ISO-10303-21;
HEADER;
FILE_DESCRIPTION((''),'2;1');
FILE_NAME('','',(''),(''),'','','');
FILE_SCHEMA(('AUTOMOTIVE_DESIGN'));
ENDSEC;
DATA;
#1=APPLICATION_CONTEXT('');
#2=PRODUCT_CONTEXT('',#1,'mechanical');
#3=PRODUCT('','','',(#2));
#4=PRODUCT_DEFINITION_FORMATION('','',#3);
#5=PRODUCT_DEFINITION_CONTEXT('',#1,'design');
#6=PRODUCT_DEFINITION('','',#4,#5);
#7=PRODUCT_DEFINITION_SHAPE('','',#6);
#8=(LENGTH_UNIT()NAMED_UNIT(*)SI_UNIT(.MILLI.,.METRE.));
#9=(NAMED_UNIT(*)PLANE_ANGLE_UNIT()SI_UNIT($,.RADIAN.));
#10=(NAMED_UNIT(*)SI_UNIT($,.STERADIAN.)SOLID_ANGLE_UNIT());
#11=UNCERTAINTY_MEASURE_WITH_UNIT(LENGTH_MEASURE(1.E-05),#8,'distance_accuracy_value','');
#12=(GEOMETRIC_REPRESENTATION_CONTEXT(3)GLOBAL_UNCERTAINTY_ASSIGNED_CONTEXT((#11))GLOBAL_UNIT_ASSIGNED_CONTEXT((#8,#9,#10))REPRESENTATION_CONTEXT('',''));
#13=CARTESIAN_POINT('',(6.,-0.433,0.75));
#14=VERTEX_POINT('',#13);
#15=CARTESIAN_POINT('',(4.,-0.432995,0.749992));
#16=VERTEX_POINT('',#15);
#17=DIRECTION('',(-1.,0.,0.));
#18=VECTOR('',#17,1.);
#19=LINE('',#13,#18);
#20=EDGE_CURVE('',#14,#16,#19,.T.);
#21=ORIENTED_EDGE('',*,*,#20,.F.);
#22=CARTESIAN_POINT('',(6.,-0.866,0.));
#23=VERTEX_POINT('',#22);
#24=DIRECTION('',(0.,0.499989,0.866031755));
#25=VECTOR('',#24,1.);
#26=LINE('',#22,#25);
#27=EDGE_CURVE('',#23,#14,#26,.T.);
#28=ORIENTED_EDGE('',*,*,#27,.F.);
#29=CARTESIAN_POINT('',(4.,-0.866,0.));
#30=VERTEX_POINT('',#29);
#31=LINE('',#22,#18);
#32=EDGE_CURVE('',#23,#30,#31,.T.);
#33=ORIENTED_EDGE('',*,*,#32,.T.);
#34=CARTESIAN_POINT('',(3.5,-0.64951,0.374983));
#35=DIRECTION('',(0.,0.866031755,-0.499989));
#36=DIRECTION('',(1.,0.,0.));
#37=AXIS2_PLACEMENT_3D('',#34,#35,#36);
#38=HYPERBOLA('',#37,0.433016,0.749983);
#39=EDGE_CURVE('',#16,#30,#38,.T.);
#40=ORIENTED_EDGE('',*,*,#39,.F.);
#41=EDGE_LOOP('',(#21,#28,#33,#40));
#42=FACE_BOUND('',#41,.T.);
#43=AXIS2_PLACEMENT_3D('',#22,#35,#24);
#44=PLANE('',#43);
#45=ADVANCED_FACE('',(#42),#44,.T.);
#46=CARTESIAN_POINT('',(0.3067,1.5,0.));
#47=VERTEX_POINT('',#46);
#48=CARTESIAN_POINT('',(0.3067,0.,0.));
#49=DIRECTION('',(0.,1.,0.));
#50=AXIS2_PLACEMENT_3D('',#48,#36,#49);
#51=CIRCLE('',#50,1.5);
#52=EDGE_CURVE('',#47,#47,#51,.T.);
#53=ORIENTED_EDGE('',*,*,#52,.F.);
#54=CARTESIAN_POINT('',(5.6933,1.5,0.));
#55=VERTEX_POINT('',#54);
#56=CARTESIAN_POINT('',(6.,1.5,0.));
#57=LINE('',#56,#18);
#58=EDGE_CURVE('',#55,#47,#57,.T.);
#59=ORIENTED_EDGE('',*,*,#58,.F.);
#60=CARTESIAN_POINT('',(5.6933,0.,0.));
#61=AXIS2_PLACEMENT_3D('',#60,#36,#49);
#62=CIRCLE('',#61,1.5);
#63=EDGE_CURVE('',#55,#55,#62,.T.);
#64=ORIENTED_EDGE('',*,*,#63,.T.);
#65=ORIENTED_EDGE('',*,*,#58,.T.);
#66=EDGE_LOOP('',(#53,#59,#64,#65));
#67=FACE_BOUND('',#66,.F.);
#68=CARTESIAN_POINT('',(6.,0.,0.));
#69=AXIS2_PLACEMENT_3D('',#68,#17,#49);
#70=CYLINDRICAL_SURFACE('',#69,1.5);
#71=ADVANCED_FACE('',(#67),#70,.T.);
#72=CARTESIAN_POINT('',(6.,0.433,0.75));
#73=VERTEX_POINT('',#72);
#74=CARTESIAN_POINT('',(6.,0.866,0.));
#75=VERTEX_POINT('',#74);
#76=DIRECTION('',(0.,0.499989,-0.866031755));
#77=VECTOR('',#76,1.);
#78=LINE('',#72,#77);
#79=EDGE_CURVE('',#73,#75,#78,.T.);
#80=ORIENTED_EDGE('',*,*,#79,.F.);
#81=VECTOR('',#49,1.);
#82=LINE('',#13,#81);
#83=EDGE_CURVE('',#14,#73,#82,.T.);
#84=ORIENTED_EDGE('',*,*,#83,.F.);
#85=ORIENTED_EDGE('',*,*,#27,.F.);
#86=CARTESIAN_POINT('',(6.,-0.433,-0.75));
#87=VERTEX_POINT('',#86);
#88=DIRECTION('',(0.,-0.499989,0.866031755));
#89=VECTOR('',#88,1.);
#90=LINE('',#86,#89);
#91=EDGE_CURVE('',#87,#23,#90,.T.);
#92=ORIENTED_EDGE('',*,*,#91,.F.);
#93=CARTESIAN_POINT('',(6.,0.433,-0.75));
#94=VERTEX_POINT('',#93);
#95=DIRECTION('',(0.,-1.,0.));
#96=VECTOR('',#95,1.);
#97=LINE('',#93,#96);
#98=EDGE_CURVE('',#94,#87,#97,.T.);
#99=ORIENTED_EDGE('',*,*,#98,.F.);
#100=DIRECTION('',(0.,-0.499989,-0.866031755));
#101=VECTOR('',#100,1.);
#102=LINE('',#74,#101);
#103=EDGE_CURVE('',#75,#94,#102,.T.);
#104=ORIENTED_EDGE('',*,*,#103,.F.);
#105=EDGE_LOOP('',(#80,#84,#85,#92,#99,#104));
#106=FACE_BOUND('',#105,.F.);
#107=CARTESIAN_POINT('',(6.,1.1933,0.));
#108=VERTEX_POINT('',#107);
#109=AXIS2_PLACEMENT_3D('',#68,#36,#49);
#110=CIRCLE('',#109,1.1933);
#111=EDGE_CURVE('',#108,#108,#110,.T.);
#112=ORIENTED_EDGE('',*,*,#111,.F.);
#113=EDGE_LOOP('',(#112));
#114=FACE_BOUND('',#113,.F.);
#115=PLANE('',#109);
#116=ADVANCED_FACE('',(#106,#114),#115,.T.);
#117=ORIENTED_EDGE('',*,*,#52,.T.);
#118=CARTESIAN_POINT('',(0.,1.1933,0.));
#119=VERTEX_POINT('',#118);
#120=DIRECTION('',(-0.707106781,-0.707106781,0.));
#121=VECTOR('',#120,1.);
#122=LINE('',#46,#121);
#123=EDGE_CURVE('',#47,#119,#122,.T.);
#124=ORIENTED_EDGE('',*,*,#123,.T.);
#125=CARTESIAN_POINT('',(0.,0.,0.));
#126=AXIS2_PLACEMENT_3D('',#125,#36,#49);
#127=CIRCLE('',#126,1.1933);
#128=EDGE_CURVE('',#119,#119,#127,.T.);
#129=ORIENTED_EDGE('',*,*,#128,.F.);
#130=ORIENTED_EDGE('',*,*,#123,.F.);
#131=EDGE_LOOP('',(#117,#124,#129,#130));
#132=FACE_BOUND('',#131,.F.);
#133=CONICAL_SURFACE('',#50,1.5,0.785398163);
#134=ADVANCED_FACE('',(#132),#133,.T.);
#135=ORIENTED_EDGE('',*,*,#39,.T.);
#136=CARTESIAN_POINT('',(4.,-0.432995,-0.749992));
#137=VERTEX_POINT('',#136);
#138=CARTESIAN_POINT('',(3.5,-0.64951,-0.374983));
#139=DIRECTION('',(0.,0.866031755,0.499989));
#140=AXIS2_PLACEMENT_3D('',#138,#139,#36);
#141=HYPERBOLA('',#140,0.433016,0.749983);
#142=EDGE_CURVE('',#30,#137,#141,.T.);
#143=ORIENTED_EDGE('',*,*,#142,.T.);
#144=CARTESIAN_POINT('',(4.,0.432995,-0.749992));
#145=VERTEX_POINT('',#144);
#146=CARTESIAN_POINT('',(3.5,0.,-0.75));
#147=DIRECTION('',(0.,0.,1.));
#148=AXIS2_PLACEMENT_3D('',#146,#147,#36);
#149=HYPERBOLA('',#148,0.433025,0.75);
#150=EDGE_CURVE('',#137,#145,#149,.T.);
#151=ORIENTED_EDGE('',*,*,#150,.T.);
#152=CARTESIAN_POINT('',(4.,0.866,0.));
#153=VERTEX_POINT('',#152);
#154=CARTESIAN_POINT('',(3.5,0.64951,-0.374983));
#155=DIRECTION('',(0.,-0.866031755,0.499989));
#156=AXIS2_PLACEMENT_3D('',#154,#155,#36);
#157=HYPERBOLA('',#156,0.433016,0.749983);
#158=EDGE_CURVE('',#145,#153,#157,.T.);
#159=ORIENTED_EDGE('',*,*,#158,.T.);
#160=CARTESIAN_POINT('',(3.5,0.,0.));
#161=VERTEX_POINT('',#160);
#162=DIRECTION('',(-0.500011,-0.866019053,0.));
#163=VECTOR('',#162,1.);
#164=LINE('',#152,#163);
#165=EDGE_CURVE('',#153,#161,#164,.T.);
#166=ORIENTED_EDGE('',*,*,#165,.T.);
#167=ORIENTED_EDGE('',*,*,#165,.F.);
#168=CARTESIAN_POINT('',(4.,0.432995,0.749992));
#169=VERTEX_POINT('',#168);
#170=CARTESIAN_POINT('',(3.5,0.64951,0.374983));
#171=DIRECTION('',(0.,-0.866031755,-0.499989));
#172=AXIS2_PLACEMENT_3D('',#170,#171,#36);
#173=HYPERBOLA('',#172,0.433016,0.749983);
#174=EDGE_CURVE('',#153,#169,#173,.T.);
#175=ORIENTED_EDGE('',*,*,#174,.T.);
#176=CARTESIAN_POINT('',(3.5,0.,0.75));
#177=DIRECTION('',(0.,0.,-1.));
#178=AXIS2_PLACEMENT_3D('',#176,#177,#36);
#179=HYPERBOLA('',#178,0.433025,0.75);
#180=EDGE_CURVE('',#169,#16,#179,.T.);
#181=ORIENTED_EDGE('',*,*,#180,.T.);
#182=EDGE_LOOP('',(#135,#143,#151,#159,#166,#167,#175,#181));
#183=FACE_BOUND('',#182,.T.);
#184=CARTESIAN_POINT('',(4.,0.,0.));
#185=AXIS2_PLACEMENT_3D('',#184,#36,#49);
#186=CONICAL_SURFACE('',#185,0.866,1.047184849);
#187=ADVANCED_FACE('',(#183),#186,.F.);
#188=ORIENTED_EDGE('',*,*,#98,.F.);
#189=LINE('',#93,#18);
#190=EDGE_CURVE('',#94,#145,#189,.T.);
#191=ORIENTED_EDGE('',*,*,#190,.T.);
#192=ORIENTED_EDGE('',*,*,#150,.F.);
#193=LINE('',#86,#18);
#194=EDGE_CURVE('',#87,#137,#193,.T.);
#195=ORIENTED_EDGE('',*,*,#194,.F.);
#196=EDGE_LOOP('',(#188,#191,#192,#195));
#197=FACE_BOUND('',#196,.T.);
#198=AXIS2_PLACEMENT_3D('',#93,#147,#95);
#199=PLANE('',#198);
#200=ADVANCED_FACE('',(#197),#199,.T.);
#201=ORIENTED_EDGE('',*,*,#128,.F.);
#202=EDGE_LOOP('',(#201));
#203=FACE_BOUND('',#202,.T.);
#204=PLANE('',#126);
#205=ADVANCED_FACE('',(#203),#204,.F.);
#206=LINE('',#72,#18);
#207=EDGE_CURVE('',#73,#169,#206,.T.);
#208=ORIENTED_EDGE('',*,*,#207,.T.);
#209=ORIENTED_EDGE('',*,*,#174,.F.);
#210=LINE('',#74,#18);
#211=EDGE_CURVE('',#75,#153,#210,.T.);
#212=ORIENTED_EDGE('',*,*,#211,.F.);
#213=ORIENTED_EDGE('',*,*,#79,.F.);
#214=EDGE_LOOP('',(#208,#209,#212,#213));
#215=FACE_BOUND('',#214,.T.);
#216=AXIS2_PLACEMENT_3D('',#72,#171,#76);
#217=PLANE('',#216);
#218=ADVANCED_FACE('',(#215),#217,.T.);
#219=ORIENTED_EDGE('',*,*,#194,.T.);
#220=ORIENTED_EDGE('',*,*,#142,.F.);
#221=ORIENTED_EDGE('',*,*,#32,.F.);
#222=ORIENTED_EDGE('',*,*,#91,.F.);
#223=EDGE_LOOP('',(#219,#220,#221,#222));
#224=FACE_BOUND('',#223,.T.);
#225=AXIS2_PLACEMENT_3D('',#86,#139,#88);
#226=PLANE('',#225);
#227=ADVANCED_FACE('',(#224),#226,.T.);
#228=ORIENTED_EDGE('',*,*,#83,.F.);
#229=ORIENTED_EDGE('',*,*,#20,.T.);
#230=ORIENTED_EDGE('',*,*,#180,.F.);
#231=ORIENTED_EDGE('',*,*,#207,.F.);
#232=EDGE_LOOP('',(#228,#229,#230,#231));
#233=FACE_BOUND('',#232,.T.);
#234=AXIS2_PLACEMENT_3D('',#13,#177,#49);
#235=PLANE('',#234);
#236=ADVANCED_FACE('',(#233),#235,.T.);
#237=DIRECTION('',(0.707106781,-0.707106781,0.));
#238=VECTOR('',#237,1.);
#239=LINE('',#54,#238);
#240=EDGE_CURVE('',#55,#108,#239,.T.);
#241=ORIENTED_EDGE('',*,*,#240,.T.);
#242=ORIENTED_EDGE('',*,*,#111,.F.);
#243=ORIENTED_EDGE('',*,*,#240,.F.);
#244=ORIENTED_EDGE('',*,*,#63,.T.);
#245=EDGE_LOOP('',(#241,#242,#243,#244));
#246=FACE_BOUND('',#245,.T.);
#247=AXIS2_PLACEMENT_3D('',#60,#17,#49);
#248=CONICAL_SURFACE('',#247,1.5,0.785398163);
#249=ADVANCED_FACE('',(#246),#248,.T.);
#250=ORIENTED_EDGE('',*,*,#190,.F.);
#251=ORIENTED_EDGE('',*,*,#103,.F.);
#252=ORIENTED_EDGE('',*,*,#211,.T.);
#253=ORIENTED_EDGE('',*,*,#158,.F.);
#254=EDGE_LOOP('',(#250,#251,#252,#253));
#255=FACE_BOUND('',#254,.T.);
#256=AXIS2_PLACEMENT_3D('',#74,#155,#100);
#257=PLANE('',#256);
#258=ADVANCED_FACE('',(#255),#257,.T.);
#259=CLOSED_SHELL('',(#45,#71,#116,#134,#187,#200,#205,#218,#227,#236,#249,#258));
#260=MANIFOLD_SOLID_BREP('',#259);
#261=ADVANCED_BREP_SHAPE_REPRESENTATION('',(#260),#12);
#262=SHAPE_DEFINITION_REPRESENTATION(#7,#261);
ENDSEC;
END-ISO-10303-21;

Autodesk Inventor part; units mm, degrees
ref_plane "YZ Plane" through (0, 0, 0) normal (1, 0, 0) x (0, 1, 0)
ref_plane "XZ Plane" through (0, 0, 0) normal (0, 1, 0) x (-1, 0, 0)
sketch "Skizze1" plane through (0, 0, 0) normal (0, 0, 1) x (1, 0, 0)
  line L0 (0, 0) -> (3.5, 0)
  line L1 (6, 0.866) -> (6, 1.5)
  line L2 (6, 1.5) -> (0, 1.5)
  line L3 (6, 0.866) -> (4, 0.866)
  line L4 (4, 0.866) -> (3.5, 0)
  line L5 (0, -0.3) -> (0, 1.8) projected
  line L6 (0, 1.5) -> (0, 0)
  dimension "d0" = 2
  dimension "d1" = 60
  dimension "d2" = 3
  dimension "d3" = 1.7321
  dimension "d5" = 6
revolve "Körper" add sketch "Skizze1" angle 360 about axis through (0, 0, 0) along (1, 0, 0)
sketch "Skizze2" plane through (6, 0, 0) normal (1, 0, 0) x (0, 1, 0)
  circle A0 centre (0, 0) radius 0.866 projected
  line L0 (-0.433, 0.75) -> (0.433, 0.75)
  line L1 (0.433, 0.75) -> (0.866, 0)
  line L2 (0.866, 0) -> (0.433, -0.75)
  line L3 (0.433, -0.75) -> (-0.433, -0.75)
  line L4 (-0.433, -0.75) -> (-0.866, 0)
  line L5 (-0.866, 0) -> (-0.433, 0.75)
  point P0 (0, 0)
  point P1 (0, 0)
extrude "Loch" add sketch "Skizze2" against normal up to next contours L1 A0 | A0 L2 | L0 A0 | A0 L3 | L5 A0 | A0 L4
thread "Gewinde" size "M3x0.5" class "6g" standard "ISO Metric profile" length 6
chamfer "Fase1" distance 0.3067 angle 45 1 edges at (6, -1.5, 0) measured on face at (4, 1.4951, -0.1207)
chamfer "Fase2" distance 0.3067 angle 45 1 edges at (0, -1.5, 0) measured on face at (1.8978, 1.4951, -0.1207)
ref_plane "Work Plane1" through (3, 0, 0) normal (0, 0, 1) x (1, 0, 0)
equation "\"d0\" = INTI"
equation "\"d2\" = NND"
equation "\"d3\" = 1.1547 * SW"
equation "\"d5\" = NLG"
equation "\"d8\" = NLG"
equation "\"d10\" = -0.5 * GD1 + 0.5 * NND"
equation "\"d11\" = FAWI"
equation "\"d34\" = -0.5 * GD1 + 0.5 * NND"
equation "\"d12\" = -0.5 * GD1 + 0.5 * NND"
equation "\"d13\" = FAWI"
equation "\"d35\" = -0.5 * GD1 + 0.5 * NND"
equation "\"NND\" = 3"
equation "\"NLG\" = 6"
equation "\"INTI\" = 2"
equation "\"FAWI\" = 45deg"
equation "\"SW\" = 1.5"
equation "\"GD1\" = THREADDIA - 1.2269 * PTC"
equation "\"SPD\" = 2"
equation "\"GUL\" = 0.61345 * PTC"
equation "\"TOA\" = 30deg"
equation "\"THREADDIA\" = 3"
equation "\"PTC\" = 0.5"
equation "\"FAWI1\" = 45deg"
equation "\"GAL\" = 0.61345 * PTC"
equation "\"E0\" = 1.155 * SW"
properties part number "DIN 913 - M3 x 6" material "Stahl, weich"
